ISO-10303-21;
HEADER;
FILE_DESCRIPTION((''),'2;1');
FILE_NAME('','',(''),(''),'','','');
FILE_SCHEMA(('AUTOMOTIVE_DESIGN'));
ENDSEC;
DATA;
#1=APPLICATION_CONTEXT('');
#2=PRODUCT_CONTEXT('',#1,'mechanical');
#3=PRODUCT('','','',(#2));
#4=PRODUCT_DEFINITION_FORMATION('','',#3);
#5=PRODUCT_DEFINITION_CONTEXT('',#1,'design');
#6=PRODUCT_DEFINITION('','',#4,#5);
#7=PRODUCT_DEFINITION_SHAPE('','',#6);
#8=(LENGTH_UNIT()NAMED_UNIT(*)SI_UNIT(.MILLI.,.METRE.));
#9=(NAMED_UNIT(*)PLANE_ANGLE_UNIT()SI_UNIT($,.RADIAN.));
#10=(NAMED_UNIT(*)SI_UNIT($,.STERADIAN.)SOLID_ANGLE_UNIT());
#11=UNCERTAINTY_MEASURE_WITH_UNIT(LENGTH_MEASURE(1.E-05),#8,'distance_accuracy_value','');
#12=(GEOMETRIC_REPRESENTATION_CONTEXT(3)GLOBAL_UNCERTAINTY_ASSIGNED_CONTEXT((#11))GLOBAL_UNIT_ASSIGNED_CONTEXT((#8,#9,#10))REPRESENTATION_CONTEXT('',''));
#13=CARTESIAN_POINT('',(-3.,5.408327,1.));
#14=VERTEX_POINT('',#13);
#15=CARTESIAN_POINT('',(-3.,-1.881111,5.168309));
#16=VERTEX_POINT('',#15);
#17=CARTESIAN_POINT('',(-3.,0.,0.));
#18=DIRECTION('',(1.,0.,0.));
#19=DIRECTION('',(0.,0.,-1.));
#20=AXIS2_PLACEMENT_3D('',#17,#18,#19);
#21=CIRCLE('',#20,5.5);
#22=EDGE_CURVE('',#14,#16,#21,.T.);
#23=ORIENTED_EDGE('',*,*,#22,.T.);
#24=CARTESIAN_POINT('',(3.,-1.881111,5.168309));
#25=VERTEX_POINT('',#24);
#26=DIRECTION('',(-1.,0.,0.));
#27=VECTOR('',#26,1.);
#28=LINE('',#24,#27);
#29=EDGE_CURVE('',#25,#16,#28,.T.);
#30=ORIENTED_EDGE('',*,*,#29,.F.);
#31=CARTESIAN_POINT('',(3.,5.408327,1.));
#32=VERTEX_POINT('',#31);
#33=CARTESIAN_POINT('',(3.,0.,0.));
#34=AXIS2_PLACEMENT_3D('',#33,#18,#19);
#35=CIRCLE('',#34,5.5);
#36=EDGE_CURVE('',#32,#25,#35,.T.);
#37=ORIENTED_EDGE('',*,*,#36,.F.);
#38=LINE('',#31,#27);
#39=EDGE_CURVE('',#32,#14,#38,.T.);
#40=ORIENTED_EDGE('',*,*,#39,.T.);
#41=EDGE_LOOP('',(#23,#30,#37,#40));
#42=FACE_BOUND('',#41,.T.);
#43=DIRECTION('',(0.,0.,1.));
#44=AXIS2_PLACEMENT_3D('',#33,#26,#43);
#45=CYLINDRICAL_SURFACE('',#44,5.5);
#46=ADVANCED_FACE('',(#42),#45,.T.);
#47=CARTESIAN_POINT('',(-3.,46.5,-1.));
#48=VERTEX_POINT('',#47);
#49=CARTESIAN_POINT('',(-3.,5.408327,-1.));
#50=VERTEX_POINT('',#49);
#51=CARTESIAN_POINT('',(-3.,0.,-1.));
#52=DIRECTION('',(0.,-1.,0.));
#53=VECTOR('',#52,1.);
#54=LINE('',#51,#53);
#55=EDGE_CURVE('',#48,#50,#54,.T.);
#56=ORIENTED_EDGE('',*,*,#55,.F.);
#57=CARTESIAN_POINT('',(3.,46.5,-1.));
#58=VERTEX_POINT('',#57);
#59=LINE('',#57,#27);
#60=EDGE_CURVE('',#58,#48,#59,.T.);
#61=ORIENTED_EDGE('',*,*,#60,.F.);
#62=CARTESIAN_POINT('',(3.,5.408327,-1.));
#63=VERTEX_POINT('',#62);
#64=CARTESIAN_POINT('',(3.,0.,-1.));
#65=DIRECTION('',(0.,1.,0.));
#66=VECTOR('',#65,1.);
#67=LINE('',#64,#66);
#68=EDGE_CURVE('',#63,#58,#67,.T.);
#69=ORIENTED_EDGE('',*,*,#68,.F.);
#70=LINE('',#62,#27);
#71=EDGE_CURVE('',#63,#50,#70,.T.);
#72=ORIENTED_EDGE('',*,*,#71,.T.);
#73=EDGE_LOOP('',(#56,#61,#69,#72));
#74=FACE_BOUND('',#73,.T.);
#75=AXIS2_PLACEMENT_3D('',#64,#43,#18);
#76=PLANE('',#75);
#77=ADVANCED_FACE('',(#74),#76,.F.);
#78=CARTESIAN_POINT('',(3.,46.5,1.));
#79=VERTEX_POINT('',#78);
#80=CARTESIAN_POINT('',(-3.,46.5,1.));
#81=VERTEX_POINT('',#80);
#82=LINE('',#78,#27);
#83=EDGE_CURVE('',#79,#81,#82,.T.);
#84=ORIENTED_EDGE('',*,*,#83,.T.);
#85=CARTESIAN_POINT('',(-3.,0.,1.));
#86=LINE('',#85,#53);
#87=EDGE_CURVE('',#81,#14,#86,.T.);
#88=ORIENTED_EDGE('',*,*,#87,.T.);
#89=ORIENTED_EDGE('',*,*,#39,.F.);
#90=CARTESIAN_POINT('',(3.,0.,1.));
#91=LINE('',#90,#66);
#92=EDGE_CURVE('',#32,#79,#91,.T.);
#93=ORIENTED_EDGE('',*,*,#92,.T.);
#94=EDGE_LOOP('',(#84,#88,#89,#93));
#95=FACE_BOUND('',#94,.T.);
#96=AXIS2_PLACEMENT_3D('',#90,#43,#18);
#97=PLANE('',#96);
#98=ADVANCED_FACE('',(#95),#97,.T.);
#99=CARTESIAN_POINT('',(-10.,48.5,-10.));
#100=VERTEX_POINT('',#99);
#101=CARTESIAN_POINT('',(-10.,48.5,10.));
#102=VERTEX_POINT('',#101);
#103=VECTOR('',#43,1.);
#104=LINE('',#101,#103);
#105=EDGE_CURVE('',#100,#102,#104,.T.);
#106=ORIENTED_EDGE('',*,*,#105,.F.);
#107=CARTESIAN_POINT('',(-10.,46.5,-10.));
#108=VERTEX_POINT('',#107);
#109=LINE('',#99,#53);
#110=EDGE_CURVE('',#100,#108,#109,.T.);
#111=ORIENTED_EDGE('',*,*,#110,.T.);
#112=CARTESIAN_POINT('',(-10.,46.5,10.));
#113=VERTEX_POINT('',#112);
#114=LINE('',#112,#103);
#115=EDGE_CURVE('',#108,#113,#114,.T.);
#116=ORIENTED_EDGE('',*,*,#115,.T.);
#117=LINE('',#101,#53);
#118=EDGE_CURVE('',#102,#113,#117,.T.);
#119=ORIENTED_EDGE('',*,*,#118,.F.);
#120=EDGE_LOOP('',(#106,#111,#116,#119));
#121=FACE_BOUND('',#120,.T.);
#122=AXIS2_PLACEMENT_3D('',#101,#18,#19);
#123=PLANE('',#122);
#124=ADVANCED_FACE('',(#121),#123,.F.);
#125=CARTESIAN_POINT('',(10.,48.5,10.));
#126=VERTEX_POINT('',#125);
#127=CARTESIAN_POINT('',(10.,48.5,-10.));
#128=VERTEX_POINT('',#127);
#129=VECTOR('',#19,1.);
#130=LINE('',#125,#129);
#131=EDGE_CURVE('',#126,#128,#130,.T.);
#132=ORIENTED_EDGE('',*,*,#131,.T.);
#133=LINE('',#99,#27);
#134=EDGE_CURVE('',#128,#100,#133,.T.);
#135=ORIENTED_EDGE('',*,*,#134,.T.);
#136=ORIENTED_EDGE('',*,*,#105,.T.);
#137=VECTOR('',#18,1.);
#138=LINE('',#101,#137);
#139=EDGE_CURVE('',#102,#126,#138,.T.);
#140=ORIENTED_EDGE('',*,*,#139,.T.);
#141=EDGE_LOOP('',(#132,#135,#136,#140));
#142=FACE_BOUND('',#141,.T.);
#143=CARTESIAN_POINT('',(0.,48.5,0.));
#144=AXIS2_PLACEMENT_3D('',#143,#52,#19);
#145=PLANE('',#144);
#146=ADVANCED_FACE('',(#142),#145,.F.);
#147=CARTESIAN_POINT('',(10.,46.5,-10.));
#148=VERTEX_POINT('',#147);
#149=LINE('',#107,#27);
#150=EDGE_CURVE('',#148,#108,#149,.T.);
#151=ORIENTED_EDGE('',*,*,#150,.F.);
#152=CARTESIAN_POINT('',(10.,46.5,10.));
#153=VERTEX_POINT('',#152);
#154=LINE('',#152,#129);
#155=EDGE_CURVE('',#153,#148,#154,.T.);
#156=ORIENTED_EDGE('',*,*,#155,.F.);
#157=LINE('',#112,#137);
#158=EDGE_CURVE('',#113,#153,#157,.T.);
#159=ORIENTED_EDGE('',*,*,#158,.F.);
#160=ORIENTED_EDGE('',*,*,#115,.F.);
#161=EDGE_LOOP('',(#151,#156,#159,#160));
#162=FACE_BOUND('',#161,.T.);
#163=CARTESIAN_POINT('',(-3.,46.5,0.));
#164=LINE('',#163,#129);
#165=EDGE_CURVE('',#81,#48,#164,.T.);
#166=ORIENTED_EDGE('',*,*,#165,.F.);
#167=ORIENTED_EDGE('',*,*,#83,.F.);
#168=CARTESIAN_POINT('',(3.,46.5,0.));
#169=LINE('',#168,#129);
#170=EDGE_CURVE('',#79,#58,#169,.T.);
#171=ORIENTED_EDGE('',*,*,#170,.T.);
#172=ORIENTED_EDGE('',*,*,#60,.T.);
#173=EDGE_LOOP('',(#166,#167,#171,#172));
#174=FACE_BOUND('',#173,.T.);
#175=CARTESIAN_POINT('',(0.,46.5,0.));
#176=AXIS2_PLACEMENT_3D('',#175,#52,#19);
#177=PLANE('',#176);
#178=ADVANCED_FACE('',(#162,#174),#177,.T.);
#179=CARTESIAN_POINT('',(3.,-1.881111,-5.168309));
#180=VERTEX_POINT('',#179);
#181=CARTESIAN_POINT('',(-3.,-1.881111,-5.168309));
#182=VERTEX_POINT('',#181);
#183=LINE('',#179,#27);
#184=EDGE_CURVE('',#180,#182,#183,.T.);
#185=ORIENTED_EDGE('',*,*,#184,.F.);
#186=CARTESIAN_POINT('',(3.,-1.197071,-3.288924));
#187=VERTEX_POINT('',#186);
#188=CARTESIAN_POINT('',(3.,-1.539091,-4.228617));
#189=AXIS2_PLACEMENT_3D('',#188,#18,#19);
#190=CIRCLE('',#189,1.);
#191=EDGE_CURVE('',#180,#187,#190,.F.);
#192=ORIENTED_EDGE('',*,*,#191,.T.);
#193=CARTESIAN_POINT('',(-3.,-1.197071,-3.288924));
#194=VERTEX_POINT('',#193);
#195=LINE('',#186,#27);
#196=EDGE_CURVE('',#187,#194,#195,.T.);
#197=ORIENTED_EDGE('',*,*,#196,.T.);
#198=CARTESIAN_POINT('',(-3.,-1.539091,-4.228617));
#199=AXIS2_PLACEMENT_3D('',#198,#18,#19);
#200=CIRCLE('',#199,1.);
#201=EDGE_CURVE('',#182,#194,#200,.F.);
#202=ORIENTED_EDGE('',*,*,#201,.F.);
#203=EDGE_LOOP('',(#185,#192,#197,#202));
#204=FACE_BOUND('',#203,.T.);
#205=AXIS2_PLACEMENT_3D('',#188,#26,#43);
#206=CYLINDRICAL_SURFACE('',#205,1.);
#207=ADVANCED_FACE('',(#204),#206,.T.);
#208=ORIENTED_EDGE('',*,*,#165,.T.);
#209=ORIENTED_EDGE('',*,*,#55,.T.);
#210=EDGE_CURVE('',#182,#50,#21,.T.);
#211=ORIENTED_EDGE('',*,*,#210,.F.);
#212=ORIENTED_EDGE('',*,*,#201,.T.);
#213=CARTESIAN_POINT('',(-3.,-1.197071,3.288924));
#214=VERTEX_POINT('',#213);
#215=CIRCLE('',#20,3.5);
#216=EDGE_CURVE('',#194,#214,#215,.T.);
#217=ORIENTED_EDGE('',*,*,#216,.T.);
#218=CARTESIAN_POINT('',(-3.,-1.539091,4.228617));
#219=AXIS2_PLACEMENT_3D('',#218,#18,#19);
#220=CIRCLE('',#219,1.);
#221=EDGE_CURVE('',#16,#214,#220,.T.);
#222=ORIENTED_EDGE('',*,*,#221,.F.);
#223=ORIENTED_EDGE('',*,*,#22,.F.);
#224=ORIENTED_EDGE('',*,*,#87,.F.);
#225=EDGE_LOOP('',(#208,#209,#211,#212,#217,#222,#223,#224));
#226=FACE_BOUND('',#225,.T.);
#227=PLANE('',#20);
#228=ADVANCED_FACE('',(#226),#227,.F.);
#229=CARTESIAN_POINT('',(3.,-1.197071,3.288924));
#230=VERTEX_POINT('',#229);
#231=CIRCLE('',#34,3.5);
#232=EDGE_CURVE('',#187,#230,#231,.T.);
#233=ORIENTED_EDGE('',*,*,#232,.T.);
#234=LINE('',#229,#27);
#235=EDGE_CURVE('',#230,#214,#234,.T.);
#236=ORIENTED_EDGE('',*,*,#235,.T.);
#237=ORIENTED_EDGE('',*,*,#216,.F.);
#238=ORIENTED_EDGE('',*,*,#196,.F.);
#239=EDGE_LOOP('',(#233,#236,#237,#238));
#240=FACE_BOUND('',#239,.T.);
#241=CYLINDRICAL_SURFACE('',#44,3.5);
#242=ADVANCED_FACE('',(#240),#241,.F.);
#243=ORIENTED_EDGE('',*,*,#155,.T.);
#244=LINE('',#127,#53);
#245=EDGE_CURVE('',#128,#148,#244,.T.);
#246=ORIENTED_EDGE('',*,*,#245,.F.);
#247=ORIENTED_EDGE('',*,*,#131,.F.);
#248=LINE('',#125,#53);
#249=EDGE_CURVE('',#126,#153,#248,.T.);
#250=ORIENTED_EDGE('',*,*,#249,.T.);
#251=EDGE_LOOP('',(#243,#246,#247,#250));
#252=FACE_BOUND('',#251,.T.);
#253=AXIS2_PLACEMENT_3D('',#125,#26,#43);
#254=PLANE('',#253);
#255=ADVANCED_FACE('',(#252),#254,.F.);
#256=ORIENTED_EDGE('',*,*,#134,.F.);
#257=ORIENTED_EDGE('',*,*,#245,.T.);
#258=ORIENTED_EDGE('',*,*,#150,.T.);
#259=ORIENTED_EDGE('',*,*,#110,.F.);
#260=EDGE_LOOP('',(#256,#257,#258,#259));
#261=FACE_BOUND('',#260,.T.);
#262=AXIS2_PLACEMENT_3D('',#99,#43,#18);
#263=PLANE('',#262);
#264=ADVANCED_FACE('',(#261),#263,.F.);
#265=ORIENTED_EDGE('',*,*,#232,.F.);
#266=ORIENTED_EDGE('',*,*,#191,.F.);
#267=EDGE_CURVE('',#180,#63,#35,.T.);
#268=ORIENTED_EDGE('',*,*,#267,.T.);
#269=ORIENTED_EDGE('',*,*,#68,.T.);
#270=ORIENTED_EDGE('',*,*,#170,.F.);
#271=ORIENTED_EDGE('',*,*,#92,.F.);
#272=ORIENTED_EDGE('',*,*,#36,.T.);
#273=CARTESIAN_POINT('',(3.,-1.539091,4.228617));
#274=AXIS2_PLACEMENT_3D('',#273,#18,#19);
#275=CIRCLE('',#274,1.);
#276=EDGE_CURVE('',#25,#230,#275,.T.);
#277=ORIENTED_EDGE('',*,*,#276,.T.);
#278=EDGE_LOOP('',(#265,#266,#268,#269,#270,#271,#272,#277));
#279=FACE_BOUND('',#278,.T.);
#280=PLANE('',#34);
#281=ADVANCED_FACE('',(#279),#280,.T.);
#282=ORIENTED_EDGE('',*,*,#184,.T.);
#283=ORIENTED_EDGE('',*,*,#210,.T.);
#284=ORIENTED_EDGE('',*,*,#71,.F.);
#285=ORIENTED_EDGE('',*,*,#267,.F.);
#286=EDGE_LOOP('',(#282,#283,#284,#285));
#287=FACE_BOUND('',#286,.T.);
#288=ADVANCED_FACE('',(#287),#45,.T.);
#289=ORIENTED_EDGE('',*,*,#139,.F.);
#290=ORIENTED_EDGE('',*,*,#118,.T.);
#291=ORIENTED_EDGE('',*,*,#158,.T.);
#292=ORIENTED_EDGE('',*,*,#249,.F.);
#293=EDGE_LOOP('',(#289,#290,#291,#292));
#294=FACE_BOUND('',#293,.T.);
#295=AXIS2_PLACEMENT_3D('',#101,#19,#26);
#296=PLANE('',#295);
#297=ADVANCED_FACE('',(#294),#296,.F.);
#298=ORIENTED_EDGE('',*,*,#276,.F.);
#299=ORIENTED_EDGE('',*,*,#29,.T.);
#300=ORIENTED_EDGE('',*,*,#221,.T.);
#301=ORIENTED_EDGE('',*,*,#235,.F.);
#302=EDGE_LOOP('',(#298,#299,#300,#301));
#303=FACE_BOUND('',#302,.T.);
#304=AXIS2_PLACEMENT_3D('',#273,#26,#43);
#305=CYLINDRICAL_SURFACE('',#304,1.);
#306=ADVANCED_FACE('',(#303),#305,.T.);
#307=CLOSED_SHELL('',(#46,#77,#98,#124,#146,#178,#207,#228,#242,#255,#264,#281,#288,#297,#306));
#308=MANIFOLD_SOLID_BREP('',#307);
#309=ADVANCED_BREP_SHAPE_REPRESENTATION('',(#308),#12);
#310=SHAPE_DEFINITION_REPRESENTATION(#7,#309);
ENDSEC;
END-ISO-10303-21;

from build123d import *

# Parameters (mm, degrees)
BOSS_EXTRUDE1_DEPTH      = 3
BOSS_EXTRUDE1_DEPTH_BACK = 3
BOSS_EXTRUDE2_DEPTH      = 3
BOSS_EXTRUDE3_DEPTH      = 3
SKETCH4_W                = 20
SKETCH4_H                = 20
BOSS_EXTRUDE4_DEPTH      = 2


with BuildPart() as part:
    # Sketch1 → Boss-Extrude1 (new, two sides: drawn at the far end of the back side and taken through both)
    with BuildSketch(Plane(origin=(0, 0, 0), x_dir=(0, 0, -1), z_dir=(1, 0, 0)).offset(-BOSS_EXTRUDE1_DEPTH_BACK)):
        with BuildLine():
            ThreePointArc((-3.288924173, -1.197070502), (0, 3.5), (3.288924173, -1.197070502))
            ThreePointArc((3.288924173, -1.197070502), (3.88659665, -2.478783266), (5.168309414, -1.881110788))
            ThreePointArc((5.168309414, -1.881110788), (0, 5.5), (-5.168309414, -1.881110788))
            ThreePointArc((-5.168309414, -1.881110788), (-3.88659665, -2.478783266), (-3.288924173, -1.197070502))
        make_face()
    extrude(amount=BOSS_EXTRUDE1_DEPTH + BOSS_EXTRUDE1_DEPTH_BACK)

    # Sketch2 → Boss-Extrude2 (add)
    with BuildSketch(Plane(origin=(0, 0, 0), x_dir=(0, 0, -1), z_dir=(1, 0, 0))):
        Polygon((-1, 3.5), (0, 3.5), (1, 3.5), (1, 46.5), (-1, 46.5), align=None)
    extrude(amount=BOSS_EXTRUDE2_DEPTH)

    # Sketch3 → Boss-Extrude3 (add)
    with BuildSketch(Plane(origin=(0, 0, 0), x_dir=(0, 0, -1), z_dir=(1, 0, 0))):
        Polygon((1, 46.5), (0, 46.5), (-1, 46.5), (-1, 3.5), (1, 3.5), align=None)
    extrude(amount=-BOSS_EXTRUDE3_DEPTH)

    # Sketch4 → Boss-Extrude4 (add)
    with BuildSketch(Plane(origin=(0, 46.5, 0), x_dir=(1, 0, 0), z_dir=(0, 1, 0))):
        Rectangle(SKETCH4_W, SKETCH4_H)
    extrude(amount=BOSS_EXTRUDE4_DEPTH)


solid = part.part
